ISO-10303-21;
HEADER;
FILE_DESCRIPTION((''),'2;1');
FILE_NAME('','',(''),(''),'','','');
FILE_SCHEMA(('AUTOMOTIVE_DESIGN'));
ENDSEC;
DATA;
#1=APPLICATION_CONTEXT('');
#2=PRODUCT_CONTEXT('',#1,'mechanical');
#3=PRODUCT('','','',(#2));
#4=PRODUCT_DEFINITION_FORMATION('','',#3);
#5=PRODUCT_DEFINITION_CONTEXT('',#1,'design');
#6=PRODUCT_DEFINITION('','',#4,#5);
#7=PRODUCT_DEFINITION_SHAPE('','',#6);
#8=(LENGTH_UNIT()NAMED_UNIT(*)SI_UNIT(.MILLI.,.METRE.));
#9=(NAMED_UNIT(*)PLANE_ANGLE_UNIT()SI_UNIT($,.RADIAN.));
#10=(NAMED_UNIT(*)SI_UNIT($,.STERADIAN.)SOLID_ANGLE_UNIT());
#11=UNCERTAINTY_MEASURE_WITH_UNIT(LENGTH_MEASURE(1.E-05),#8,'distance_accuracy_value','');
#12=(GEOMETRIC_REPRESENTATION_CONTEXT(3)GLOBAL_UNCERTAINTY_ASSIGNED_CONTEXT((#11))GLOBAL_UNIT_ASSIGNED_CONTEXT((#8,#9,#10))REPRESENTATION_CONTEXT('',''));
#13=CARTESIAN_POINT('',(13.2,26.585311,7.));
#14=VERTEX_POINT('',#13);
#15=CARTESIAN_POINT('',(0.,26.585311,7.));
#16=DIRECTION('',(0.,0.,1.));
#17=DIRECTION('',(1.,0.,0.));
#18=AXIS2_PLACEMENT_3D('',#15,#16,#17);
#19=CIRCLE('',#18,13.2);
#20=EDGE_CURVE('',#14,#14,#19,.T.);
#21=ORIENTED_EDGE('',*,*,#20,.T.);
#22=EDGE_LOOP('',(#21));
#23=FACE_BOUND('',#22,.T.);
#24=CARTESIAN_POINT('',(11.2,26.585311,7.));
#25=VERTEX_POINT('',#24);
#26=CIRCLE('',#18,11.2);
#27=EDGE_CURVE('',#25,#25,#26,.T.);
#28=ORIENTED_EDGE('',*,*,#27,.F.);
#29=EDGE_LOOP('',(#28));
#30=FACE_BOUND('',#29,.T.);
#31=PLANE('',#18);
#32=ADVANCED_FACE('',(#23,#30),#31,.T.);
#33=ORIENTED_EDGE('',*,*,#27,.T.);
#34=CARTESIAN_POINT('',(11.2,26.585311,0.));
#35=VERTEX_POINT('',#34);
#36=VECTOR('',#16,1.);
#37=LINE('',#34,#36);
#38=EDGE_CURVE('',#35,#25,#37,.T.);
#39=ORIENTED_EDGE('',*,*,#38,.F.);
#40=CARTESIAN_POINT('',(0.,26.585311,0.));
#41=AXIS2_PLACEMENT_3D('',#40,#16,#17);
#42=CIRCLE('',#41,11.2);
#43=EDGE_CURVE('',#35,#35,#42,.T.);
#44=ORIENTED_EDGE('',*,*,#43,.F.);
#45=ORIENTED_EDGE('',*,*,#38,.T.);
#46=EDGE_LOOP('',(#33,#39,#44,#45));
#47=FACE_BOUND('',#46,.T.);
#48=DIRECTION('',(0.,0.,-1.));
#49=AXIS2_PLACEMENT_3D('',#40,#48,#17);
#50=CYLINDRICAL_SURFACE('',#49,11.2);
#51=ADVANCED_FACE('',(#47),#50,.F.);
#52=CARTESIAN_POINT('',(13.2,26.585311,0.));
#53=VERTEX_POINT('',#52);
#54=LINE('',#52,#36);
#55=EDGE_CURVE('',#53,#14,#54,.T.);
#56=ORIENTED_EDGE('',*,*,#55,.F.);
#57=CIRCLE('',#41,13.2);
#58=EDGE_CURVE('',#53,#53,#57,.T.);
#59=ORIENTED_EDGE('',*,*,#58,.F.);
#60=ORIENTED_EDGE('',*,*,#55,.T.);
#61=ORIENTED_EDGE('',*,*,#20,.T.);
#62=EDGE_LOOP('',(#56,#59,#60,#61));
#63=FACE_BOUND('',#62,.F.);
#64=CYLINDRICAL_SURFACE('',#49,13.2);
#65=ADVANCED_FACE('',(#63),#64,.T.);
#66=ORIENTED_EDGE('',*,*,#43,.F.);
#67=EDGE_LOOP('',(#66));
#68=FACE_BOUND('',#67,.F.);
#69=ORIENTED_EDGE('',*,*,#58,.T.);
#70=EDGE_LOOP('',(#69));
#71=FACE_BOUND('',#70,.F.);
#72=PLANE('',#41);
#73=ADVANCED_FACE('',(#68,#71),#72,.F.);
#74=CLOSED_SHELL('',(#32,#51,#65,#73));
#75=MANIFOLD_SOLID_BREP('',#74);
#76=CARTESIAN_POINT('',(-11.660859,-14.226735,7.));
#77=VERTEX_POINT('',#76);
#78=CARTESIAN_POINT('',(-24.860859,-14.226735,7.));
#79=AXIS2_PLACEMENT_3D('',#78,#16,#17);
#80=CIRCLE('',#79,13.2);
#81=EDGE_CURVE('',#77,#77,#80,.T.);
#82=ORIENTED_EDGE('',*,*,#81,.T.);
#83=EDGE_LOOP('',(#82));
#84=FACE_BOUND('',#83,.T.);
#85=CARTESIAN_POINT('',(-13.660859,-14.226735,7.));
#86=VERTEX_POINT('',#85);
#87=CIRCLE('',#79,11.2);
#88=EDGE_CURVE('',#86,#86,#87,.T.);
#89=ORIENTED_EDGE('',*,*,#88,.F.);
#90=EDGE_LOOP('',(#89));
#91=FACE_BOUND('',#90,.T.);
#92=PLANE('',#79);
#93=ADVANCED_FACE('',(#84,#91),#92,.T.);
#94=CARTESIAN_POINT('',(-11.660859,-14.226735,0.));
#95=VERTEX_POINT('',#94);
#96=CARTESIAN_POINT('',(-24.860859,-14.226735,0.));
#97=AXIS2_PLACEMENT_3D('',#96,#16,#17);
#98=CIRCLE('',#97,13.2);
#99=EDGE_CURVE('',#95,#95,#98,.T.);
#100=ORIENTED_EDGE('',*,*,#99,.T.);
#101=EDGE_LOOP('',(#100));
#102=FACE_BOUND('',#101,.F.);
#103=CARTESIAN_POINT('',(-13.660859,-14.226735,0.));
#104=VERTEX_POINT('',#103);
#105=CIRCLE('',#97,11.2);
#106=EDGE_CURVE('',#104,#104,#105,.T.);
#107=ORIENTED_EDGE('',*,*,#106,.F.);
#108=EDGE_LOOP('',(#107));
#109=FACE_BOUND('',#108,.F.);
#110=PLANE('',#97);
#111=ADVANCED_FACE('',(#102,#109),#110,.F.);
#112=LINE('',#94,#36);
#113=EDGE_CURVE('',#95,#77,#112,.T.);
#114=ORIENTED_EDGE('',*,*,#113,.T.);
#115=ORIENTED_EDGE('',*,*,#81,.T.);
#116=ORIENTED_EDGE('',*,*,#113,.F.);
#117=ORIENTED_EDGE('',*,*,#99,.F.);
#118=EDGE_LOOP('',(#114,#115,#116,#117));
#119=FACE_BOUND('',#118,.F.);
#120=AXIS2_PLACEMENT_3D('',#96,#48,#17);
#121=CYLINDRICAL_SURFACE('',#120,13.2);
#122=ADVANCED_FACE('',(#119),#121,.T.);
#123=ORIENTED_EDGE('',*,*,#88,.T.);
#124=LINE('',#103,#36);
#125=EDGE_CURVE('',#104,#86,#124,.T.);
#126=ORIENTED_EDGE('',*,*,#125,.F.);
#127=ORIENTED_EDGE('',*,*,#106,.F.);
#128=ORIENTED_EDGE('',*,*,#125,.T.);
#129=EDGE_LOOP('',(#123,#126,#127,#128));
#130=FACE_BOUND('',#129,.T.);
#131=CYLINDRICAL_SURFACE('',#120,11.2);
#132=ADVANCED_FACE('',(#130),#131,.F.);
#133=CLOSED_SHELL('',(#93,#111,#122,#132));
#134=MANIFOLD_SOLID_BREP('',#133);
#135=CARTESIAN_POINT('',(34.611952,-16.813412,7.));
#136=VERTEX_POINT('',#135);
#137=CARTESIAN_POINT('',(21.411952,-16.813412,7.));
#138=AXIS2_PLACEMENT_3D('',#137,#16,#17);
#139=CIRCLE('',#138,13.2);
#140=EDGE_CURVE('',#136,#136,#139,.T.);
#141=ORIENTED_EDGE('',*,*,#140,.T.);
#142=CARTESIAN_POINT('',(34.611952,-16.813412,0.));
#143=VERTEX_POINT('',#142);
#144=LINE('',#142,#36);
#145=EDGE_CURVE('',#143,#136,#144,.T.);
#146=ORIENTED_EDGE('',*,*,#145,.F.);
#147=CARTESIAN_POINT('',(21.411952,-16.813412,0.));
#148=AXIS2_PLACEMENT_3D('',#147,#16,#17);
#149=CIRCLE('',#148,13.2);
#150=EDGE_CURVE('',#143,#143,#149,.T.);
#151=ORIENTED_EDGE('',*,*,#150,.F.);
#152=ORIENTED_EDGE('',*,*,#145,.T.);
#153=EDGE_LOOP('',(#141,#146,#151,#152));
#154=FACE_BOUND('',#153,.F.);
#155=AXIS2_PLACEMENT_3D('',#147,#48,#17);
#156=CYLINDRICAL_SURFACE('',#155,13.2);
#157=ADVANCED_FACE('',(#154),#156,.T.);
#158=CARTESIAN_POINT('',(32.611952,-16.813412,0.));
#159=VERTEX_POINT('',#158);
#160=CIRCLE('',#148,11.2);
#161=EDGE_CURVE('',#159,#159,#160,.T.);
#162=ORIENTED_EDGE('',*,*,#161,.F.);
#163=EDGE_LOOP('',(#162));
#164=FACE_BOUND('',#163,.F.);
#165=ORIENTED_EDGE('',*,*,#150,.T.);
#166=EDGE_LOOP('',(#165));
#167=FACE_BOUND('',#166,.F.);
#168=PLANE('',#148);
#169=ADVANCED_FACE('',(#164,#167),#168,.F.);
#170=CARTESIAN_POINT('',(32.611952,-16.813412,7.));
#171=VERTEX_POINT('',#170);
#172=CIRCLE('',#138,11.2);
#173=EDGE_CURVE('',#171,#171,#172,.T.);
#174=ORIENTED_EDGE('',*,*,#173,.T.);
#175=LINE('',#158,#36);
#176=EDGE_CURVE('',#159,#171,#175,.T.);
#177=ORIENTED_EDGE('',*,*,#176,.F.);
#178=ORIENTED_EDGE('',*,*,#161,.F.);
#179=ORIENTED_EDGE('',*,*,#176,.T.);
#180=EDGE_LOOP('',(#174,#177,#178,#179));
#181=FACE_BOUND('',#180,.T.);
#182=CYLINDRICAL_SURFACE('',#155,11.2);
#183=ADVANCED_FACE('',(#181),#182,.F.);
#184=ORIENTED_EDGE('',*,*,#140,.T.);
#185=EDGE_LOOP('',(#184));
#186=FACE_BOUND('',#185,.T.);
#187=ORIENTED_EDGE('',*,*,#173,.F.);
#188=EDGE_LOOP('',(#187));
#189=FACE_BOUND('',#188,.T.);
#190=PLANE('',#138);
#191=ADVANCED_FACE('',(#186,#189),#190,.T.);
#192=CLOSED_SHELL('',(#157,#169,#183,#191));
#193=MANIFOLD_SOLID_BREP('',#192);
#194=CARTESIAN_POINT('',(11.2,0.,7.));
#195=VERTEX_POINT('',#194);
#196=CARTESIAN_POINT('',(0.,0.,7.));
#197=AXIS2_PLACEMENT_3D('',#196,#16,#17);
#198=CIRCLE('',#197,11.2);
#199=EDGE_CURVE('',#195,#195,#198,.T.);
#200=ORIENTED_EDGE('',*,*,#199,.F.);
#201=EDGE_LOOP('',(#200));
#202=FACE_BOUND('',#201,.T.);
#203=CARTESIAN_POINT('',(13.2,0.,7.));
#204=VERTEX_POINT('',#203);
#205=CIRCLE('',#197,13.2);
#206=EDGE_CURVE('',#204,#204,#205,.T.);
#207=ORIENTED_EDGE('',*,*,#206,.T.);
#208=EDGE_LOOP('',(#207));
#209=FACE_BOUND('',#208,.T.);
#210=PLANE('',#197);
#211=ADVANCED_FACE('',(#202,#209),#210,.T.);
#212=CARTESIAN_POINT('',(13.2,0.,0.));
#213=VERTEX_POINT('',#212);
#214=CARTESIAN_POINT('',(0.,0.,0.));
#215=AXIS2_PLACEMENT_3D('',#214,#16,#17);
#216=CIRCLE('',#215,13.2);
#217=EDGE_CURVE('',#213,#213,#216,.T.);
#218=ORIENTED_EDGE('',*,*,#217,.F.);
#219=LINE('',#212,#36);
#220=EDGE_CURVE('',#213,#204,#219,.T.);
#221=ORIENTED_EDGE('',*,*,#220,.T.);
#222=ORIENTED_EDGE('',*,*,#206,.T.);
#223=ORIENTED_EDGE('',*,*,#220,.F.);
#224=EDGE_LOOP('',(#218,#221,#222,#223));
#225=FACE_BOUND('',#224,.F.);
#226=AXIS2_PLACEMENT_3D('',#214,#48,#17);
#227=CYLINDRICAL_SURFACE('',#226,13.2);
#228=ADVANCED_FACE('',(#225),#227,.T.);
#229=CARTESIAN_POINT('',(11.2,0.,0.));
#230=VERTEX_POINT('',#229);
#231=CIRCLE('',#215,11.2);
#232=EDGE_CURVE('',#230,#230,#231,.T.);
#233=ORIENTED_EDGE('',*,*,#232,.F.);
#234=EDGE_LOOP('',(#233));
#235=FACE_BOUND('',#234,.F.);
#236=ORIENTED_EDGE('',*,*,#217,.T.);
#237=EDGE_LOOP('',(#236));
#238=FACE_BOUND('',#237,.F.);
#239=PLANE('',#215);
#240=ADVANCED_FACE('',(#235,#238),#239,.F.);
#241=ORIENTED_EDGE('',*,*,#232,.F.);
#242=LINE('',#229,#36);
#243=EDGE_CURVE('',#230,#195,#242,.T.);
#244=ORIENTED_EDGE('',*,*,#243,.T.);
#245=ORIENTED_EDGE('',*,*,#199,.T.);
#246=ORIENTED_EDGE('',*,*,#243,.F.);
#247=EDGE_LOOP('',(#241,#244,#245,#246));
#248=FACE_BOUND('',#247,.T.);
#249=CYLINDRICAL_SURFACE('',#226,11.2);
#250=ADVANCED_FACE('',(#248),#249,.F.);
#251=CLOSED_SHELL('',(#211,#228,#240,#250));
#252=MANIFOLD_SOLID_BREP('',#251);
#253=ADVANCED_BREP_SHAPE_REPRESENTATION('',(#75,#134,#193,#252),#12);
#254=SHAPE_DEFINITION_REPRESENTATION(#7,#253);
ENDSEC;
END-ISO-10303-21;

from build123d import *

# Parameters (mm, degrees)
F0_R     = 13.2
F0_R_2   = 11.2
F1_DEPTH = 7


with BuildPart() as f1:
    # F0 (on Top) → F1 (new body)
    with BuildSketch(Plane.XY):
        Circle(F0_R)
        Circle(F0_R_2, mode=Mode.SUBTRACT)
        with Locations((-24.860859, -14.226735)):
            Circle(F0_R)
        with Locations((-24.860859, -14.226735)):
            Circle(F0_R_2, mode=Mode.SUBTRACT)
        with Locations((21.411952, -16.813412)):
            Circle(F0_R)
        with Locations((21.411952, -16.813412)):
            Circle(F0_R_2, mode=Mode.SUBTRACT)
        with Locations((0, 26.585311)):
            Circle(F0_R)
        with Locations((0, 26.585311)):
            Circle(F0_R_2, mode=Mode.SUBTRACT)
    extrude(amount=F1_DEPTH)


solid = f1.part
